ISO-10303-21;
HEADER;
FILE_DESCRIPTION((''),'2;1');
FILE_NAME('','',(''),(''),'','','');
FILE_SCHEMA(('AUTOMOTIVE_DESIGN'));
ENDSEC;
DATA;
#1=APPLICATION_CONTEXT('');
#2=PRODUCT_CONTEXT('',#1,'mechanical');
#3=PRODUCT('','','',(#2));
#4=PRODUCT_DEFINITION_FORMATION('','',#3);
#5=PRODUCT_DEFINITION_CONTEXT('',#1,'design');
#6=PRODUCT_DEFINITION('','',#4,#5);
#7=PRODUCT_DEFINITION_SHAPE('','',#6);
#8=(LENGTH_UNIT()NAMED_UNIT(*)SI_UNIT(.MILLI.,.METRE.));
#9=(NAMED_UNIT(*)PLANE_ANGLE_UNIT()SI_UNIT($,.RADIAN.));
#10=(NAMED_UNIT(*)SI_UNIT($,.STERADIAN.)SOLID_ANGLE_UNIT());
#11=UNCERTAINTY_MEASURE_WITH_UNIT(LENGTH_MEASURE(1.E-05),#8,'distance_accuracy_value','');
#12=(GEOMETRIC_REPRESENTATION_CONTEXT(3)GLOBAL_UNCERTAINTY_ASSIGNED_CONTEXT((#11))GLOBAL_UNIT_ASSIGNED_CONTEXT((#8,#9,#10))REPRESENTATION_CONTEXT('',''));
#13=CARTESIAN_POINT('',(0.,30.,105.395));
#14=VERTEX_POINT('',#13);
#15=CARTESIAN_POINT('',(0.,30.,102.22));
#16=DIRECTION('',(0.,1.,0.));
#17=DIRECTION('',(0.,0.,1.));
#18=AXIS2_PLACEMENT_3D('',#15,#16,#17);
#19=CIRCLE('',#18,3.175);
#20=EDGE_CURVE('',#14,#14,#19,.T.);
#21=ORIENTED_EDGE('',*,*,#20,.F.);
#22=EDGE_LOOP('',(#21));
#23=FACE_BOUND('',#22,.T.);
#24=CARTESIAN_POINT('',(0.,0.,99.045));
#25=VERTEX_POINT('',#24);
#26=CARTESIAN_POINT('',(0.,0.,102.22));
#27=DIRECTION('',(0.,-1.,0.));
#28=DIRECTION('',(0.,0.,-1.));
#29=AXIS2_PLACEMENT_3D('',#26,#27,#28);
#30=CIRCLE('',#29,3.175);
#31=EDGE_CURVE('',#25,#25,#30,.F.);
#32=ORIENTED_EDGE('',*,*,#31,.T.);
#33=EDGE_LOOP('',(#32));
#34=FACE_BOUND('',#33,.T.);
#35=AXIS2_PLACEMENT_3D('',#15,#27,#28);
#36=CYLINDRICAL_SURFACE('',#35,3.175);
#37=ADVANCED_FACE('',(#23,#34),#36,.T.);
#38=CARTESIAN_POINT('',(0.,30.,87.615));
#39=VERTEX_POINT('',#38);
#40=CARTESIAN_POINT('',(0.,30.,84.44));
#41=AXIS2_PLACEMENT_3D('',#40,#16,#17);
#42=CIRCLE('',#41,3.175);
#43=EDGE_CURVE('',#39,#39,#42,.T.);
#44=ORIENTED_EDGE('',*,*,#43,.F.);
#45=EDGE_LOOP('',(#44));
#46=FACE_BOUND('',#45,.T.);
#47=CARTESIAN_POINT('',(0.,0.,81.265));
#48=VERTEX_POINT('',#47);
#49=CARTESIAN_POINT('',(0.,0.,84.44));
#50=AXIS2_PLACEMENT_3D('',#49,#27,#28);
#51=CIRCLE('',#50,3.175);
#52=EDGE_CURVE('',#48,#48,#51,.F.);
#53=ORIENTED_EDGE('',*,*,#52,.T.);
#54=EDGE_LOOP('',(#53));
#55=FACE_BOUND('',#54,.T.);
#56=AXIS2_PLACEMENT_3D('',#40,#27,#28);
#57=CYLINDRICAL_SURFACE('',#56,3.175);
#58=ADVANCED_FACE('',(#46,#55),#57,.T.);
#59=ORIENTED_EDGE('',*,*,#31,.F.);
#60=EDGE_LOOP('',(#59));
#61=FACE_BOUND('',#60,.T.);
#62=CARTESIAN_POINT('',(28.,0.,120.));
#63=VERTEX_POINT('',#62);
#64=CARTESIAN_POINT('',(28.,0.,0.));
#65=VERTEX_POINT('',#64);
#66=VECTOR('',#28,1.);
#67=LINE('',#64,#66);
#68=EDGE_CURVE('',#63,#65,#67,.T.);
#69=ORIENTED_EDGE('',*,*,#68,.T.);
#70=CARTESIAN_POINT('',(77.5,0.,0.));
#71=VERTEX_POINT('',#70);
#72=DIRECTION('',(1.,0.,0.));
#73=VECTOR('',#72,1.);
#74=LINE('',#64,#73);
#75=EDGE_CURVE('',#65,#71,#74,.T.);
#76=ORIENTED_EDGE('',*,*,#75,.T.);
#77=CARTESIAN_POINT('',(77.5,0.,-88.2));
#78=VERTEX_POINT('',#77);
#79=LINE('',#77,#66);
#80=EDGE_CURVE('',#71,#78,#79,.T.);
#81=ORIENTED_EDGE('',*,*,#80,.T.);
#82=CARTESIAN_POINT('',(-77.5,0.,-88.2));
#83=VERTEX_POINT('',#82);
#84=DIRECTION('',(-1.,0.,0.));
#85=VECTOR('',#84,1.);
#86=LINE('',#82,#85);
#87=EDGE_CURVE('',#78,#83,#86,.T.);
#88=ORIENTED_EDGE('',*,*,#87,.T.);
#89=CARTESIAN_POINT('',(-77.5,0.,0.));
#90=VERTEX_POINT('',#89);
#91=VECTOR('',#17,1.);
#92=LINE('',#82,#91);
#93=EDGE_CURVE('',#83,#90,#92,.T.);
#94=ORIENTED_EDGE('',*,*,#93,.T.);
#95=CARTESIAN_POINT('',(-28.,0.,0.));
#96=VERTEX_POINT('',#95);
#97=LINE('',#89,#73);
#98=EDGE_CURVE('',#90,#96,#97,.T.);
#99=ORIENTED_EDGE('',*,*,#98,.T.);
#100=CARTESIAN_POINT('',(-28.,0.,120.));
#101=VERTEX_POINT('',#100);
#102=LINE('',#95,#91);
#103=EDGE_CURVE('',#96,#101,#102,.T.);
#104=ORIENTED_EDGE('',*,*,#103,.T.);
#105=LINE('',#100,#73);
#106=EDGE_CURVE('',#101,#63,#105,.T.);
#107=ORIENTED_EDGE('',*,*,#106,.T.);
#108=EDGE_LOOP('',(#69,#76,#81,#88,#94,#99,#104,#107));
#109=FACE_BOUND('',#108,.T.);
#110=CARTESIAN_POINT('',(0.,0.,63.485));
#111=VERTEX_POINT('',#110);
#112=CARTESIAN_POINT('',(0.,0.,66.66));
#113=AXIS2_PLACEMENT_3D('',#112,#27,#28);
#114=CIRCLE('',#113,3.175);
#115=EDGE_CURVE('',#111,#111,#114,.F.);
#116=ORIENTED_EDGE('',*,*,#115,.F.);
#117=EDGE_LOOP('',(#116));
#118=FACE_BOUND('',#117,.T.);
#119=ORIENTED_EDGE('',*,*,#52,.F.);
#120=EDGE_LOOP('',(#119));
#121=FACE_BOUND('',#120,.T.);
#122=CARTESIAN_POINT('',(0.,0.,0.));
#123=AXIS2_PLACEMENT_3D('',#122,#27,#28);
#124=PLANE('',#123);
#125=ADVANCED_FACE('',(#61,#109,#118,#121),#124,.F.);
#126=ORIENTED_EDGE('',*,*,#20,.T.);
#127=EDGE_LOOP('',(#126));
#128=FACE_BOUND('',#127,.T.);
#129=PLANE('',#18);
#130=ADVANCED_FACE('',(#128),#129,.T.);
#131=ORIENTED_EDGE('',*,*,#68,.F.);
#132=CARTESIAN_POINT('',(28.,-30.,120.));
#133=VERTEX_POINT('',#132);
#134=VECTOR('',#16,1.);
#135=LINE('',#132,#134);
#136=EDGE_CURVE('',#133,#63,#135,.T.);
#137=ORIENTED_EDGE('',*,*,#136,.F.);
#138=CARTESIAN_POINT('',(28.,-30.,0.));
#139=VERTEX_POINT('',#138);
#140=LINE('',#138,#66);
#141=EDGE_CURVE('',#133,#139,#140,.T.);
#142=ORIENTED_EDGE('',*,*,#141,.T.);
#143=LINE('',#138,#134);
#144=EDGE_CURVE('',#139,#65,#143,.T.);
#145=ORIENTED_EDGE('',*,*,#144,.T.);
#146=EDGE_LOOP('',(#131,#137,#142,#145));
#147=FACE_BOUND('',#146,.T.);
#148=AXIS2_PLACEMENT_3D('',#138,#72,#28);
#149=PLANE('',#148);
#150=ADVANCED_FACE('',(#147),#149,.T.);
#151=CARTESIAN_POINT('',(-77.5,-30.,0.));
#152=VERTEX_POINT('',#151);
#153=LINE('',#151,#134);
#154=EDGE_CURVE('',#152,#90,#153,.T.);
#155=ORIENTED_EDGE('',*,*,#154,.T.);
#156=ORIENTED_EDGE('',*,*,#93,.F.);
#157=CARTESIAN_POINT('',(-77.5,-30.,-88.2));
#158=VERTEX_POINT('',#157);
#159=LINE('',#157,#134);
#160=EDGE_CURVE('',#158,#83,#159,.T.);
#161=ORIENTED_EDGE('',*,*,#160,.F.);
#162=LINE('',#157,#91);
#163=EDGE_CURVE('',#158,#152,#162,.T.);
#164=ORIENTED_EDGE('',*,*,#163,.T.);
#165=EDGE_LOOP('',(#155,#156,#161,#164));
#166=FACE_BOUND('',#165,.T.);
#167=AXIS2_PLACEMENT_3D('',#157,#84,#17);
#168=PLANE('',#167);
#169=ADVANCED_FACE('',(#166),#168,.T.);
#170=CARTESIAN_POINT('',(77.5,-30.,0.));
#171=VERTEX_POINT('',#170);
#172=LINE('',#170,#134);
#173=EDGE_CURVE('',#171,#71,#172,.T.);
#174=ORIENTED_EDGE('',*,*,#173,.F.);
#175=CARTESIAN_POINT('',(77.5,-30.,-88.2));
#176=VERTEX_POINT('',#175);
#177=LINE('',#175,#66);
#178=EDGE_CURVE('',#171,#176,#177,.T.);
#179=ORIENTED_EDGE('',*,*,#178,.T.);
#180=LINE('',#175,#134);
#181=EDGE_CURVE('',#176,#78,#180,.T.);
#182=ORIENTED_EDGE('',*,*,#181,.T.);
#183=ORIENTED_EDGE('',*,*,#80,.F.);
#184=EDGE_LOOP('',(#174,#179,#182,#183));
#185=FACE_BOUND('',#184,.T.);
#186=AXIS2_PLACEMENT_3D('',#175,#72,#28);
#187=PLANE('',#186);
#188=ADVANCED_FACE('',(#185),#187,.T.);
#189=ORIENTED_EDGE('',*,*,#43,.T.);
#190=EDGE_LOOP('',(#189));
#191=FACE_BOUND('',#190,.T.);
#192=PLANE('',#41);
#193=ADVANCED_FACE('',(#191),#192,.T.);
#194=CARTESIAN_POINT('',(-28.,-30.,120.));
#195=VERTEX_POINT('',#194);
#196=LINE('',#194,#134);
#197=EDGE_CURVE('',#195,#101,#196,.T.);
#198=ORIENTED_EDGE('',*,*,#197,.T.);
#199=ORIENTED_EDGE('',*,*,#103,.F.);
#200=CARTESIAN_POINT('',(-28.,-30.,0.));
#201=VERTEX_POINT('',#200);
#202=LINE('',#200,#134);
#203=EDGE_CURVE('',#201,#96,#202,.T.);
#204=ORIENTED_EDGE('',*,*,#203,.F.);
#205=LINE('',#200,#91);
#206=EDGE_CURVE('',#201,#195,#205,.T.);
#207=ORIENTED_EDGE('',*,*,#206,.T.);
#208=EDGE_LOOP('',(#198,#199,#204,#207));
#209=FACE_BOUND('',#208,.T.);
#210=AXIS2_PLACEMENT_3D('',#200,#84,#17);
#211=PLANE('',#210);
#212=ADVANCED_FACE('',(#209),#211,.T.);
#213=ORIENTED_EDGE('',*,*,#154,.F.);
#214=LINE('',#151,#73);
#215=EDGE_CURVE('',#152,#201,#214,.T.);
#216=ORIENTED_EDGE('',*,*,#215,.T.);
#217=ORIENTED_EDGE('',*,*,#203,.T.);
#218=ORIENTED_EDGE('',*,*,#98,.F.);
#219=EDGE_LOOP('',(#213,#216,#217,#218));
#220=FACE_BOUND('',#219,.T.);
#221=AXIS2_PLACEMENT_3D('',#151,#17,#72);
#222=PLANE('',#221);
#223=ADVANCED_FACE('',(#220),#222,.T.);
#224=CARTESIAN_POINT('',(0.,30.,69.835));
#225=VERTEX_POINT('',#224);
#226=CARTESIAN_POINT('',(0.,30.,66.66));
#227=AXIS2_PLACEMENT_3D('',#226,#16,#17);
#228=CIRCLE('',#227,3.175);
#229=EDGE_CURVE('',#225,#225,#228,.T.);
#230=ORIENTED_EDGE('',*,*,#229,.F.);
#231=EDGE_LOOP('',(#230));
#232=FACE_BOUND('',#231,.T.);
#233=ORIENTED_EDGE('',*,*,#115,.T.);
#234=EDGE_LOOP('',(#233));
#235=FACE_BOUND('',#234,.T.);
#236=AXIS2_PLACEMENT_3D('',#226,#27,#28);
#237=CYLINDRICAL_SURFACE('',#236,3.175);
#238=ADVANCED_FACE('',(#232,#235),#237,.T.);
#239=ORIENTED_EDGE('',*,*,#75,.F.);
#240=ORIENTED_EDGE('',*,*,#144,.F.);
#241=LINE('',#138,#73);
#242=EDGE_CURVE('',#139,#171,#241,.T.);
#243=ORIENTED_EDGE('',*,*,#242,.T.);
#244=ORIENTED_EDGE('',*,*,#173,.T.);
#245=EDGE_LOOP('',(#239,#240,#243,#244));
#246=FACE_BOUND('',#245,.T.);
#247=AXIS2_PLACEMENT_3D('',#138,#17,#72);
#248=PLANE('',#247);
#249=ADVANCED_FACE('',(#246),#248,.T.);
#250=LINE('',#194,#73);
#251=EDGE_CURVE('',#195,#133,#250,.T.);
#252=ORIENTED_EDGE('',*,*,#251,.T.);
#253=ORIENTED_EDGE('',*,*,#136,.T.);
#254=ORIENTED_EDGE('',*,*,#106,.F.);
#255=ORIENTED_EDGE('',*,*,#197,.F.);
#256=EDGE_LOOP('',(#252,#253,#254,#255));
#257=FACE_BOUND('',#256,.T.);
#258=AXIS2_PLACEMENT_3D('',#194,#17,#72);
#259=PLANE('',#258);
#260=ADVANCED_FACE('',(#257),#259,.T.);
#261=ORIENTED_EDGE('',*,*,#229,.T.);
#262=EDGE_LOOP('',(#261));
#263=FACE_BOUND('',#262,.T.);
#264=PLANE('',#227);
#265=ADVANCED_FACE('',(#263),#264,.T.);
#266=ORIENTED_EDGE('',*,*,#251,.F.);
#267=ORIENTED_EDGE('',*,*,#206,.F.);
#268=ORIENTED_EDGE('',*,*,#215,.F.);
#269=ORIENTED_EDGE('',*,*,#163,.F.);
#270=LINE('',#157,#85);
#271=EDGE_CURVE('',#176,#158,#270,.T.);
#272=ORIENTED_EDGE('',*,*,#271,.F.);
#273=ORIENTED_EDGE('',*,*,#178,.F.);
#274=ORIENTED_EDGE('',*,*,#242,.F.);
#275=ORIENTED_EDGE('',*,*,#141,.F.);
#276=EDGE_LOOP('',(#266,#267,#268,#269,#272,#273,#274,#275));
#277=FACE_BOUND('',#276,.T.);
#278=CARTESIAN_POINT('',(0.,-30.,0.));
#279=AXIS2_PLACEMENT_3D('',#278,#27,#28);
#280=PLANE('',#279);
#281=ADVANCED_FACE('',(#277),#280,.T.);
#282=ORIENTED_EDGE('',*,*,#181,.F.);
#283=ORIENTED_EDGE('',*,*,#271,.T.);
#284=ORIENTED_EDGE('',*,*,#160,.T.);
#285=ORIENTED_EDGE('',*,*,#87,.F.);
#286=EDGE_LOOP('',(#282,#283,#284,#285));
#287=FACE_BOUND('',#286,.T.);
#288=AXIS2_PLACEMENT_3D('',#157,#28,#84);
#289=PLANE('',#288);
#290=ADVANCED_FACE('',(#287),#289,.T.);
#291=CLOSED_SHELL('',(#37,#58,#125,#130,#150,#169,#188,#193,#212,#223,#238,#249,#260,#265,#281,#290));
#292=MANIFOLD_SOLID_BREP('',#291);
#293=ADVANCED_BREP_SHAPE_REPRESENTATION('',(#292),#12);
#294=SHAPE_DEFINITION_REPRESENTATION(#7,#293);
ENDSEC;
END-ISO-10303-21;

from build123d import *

# Parameters (mm, degrees)
BOSS_EXTRUDE1_DEPTH = 30
SKETCH2_R           = 3.175
BOSS_EXTRUDE2_DEPTH = 30


with BuildPart() as part:
    # Sketch1 → Boss-Extrude1 (new body)
    with BuildSketch(Plane(origin=(0, 0, 0), x_dir=(1, 0, 0), z_dir=(0, 1, 0))):
        Polygon((28, 0), (77.5, 0), (77.5, 88.2), (-77.5, 88.2), (-77.5, 0), (-28, 0), (-28, -120), (28, -120), align=None)
    extrude(amount=-BOSS_EXTRUDE1_DEPTH)

    # Sketch2 → Boss-Extrude2 (add)
    with BuildSketch(Plane(origin=(0, 0, 0), x_dir=(1, 0, 0), z_dir=(0, 1, 0))):
        with Locations(Location((0, -84.44, 0), (0, 0, 90))):
            Circle(SKETCH2_R)
        with Locations(Location((0, -66.66, 0), (0, 0, 90))):
            Circle(SKETCH2_R)
        with Locations(Location((0, -102.22, 0), (0, 0, 90))):
            Circle(SKETCH2_R)
    extrude(amount=BOSS_EXTRUDE2_DEPTH)


solid = part.part
